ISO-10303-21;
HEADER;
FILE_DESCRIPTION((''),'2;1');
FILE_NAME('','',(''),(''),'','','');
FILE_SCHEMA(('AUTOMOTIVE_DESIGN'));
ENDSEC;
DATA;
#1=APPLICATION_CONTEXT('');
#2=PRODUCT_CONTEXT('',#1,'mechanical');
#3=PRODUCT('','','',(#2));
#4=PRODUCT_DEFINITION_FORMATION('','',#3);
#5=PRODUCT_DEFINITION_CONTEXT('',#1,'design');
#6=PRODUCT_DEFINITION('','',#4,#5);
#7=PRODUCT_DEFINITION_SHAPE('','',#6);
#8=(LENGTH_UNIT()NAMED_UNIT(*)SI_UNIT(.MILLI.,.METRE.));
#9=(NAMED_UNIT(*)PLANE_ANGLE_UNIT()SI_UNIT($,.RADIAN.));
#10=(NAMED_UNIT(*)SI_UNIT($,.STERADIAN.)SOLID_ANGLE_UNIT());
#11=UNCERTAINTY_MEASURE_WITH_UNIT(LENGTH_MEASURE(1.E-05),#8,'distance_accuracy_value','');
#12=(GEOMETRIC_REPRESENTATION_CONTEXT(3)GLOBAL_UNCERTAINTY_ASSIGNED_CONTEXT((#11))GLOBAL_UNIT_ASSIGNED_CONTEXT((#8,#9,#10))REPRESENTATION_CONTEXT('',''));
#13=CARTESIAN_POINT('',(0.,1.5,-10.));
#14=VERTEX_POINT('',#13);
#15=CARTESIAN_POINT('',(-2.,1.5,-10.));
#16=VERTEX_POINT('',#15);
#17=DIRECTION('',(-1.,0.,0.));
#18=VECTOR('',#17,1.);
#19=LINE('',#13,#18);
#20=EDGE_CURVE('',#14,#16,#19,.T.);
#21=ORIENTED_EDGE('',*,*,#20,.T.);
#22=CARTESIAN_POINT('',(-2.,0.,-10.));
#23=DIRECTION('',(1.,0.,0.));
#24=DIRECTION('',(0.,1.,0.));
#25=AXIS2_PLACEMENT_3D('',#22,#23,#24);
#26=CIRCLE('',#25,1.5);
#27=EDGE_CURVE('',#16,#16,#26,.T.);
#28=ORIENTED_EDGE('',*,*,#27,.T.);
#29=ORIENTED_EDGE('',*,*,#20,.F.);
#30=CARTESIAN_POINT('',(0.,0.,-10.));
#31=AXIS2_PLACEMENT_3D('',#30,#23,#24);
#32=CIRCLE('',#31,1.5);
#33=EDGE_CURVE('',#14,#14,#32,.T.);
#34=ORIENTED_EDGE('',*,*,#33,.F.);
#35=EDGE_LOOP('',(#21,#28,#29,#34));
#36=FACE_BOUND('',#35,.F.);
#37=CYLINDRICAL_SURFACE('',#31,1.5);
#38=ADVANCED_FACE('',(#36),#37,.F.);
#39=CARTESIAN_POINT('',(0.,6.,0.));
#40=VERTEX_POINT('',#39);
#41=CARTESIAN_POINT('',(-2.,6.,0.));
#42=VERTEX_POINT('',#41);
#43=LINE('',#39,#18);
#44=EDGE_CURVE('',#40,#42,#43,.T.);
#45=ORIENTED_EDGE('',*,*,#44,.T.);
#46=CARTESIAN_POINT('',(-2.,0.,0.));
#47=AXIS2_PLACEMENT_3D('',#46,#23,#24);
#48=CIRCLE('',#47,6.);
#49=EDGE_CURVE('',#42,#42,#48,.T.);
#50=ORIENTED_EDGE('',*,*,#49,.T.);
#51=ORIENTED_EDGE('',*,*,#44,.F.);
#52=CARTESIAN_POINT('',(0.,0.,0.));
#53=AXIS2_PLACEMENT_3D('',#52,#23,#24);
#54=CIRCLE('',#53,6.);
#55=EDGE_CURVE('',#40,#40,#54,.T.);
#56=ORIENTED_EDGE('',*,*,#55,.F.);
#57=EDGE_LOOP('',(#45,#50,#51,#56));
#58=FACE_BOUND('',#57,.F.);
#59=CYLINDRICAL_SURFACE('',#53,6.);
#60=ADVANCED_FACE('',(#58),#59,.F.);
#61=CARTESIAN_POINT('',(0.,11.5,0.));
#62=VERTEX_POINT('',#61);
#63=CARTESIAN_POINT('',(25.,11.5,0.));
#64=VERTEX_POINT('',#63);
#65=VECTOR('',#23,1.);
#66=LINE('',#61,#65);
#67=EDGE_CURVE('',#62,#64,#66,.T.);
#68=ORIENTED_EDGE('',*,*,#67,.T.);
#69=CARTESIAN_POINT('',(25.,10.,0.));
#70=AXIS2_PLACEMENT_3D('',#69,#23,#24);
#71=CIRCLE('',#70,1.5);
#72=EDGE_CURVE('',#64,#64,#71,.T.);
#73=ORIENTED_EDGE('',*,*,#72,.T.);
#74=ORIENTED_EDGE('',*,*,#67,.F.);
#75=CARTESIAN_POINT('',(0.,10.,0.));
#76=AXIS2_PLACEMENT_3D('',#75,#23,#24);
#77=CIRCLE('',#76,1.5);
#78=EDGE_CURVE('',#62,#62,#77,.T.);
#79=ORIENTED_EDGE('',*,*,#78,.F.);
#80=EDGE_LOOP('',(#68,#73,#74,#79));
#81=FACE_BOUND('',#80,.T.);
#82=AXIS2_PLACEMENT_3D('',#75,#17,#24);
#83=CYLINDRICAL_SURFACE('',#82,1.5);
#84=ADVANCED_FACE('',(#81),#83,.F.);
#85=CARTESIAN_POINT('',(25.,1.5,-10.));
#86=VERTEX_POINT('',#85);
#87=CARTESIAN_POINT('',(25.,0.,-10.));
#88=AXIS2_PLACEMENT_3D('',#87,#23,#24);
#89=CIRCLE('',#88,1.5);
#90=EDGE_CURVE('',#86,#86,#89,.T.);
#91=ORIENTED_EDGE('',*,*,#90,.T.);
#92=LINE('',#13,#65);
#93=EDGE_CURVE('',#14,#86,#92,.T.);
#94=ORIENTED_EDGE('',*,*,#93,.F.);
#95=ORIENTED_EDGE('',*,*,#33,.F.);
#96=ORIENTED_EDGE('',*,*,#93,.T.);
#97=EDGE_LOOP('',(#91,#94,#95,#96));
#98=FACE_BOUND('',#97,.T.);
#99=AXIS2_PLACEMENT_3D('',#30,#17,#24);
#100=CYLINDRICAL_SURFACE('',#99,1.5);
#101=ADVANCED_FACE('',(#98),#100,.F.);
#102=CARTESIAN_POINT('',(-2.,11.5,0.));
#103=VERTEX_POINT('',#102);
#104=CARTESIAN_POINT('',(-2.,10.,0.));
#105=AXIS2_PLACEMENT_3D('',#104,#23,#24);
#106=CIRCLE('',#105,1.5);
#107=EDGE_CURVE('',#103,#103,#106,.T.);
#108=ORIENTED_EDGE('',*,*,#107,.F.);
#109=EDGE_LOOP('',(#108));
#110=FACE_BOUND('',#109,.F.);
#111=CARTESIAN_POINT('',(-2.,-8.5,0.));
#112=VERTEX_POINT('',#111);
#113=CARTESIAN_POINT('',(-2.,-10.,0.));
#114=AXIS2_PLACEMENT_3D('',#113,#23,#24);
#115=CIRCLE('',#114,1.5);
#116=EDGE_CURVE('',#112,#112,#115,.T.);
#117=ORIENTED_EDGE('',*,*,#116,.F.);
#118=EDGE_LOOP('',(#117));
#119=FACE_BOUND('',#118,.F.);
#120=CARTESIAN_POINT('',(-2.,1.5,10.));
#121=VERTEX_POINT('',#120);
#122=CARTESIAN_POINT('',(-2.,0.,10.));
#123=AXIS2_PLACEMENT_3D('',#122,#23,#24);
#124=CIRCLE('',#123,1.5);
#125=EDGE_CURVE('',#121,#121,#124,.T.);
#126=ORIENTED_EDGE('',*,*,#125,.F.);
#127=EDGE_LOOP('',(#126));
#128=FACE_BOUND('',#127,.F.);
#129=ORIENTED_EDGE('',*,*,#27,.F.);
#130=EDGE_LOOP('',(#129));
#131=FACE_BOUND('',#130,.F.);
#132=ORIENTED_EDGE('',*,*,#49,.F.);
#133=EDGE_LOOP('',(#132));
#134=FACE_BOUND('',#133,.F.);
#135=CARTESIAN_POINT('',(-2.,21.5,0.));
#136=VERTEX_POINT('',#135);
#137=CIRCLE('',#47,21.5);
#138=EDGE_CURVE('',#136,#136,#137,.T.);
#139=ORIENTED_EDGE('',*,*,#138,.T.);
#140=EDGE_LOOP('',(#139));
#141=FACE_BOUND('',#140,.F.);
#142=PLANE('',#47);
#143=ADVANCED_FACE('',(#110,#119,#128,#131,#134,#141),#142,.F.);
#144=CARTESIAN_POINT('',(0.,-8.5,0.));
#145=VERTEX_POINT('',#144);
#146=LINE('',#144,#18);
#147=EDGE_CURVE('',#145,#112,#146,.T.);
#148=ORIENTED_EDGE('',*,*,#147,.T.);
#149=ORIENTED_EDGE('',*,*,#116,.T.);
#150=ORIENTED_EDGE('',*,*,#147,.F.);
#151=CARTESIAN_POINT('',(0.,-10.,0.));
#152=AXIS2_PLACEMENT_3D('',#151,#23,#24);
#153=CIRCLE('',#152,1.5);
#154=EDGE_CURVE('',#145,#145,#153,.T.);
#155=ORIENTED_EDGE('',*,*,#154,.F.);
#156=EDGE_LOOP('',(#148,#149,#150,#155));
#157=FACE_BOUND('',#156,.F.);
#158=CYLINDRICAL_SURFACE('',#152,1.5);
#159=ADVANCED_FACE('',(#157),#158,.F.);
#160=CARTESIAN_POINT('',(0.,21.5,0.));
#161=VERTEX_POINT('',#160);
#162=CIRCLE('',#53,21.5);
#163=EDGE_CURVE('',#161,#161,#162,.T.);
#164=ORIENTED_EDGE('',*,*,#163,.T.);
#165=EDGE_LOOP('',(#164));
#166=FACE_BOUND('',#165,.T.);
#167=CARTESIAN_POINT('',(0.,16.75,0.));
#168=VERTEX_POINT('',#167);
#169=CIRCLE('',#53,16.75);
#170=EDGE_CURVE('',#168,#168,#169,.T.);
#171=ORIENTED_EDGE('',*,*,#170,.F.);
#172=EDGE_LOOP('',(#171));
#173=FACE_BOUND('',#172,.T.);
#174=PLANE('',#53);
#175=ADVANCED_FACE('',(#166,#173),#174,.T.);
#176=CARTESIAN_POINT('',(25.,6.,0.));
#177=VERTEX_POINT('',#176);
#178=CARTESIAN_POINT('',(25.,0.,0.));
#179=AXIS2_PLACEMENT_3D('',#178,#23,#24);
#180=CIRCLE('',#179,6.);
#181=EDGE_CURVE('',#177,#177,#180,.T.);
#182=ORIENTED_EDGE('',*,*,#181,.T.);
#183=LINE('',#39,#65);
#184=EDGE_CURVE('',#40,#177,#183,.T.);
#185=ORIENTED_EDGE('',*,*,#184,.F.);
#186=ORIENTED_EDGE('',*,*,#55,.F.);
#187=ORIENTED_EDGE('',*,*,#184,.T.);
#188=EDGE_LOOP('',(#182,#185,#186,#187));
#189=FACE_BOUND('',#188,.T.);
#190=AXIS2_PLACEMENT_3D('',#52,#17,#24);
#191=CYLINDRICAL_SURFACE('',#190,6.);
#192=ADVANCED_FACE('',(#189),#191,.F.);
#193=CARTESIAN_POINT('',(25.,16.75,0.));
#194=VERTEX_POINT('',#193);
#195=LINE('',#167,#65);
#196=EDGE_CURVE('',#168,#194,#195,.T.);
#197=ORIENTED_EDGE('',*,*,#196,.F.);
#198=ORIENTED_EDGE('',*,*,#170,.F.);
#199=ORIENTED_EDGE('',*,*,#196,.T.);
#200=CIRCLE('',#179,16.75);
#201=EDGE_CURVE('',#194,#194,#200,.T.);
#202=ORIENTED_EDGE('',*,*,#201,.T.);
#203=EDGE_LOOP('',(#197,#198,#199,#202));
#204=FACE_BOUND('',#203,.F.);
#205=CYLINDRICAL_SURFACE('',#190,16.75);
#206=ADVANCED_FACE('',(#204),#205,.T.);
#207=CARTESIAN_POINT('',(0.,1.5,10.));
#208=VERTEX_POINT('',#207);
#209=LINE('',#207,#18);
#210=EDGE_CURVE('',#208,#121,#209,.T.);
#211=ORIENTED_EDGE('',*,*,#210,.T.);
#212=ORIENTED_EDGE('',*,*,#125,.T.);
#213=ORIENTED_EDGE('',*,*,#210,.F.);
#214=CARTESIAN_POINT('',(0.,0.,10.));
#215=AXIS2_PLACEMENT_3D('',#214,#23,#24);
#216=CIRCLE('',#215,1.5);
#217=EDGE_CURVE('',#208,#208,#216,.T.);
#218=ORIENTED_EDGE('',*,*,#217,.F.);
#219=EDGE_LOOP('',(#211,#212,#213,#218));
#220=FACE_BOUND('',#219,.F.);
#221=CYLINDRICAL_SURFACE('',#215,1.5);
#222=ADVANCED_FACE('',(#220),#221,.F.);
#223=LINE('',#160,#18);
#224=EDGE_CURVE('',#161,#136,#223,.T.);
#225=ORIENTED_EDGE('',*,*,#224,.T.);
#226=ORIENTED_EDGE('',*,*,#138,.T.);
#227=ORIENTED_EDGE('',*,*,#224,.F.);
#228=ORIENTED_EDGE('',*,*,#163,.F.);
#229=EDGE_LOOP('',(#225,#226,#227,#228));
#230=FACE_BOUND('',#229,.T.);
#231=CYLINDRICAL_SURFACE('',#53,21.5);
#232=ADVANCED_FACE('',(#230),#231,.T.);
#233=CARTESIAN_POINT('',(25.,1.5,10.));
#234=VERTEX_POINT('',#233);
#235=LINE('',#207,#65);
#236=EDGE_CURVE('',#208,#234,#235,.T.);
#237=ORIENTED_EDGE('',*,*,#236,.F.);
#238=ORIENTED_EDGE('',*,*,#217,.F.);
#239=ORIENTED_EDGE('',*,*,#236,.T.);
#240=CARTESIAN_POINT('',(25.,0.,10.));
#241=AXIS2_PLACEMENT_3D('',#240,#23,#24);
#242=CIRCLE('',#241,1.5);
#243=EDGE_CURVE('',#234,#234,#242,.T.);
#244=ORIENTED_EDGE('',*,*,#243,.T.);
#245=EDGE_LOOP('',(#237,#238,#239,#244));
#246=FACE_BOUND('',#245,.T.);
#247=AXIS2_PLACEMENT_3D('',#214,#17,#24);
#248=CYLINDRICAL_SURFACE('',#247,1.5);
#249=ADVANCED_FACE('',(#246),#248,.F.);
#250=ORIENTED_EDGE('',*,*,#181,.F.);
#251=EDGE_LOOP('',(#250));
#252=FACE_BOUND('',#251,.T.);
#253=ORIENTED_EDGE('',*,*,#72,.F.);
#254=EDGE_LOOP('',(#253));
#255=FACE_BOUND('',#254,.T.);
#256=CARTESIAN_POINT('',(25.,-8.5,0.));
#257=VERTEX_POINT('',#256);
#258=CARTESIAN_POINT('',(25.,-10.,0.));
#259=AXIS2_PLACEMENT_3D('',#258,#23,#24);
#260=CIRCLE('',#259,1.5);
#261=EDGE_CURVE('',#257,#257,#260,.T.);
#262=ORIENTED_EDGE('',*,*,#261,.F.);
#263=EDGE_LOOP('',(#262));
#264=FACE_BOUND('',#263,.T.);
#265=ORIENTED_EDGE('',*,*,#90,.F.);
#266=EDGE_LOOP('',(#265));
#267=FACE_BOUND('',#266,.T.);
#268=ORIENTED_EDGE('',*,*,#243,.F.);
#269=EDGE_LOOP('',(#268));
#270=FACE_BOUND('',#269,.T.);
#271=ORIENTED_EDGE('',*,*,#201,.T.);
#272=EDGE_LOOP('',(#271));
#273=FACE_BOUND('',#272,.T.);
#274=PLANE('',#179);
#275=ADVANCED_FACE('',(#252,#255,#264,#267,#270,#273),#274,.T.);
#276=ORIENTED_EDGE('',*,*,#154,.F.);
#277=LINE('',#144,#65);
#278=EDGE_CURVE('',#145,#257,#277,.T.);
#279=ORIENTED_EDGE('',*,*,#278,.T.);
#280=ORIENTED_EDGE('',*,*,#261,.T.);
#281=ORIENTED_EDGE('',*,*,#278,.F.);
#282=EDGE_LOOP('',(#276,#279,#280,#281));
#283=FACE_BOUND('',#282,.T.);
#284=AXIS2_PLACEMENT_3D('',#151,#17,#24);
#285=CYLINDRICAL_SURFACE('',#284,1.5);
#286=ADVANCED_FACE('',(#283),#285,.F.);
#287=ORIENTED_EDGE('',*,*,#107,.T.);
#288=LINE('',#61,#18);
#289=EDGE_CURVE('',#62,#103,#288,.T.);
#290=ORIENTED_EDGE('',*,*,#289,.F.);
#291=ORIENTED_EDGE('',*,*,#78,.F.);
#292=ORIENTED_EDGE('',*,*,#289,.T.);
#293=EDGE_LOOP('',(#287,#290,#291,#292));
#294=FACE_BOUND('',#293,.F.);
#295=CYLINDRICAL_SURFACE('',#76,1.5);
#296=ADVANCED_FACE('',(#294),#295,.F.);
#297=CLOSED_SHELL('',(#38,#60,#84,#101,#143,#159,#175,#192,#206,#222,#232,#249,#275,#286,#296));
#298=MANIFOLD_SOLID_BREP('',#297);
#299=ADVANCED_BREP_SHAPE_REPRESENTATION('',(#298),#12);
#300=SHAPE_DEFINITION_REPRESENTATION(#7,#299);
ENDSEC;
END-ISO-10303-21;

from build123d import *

# Parameters (mm, degrees)
F0_R     = 16.75
F0_R_2   = 1.5
F0_R_3   = 6
F1_DEPTH = 25
F0_R_4   = 21.5
F2_DEPTH = 2


with BuildPart() as f1:
    # F0 (on Right) → F1 (new body)
    with BuildSketch(Plane.YZ):
        Circle(F0_R)
        with Locations((0, -10)):
            Circle(F0_R_2, mode=Mode.SUBTRACT)
        with Locations((-10, 0)):
            Circle(F0_R_2, mode=Mode.SUBTRACT)
        Circle(F0_R_3, mode=Mode.SUBTRACT)
        with Locations((10, 0)):
            Circle(F0_R_2, mode=Mode.SUBTRACT)
        with Locations((0, 10)):
            Circle(F0_R_2, mode=Mode.SUBTRACT)
    extrude(amount=F1_DEPTH)

    # F0 (on Right) → F2 (join)
    with BuildSketch(Plane.YZ):
        Circle(F0_R_4)
        Circle(F0_R, mode=Mode.SUBTRACT)
        Circle(F0_R)
        with Locations((0, -10)):
            Circle(F0_R_2, mode=Mode.SUBTRACT)
        with Locations((-10, 0)):
            Circle(F0_R_2, mode=Mode.SUBTRACT)
        Circle(F0_R_3, mode=Mode.SUBTRACT)
        with Locations((10, 0)):
            Circle(F0_R_2, mode=Mode.SUBTRACT)
        with Locations((0, 10)):
            Circle(F0_R_2, mode=Mode.SUBTRACT)
    extrude(amount=-F2_DEPTH)


solid = f1.part
